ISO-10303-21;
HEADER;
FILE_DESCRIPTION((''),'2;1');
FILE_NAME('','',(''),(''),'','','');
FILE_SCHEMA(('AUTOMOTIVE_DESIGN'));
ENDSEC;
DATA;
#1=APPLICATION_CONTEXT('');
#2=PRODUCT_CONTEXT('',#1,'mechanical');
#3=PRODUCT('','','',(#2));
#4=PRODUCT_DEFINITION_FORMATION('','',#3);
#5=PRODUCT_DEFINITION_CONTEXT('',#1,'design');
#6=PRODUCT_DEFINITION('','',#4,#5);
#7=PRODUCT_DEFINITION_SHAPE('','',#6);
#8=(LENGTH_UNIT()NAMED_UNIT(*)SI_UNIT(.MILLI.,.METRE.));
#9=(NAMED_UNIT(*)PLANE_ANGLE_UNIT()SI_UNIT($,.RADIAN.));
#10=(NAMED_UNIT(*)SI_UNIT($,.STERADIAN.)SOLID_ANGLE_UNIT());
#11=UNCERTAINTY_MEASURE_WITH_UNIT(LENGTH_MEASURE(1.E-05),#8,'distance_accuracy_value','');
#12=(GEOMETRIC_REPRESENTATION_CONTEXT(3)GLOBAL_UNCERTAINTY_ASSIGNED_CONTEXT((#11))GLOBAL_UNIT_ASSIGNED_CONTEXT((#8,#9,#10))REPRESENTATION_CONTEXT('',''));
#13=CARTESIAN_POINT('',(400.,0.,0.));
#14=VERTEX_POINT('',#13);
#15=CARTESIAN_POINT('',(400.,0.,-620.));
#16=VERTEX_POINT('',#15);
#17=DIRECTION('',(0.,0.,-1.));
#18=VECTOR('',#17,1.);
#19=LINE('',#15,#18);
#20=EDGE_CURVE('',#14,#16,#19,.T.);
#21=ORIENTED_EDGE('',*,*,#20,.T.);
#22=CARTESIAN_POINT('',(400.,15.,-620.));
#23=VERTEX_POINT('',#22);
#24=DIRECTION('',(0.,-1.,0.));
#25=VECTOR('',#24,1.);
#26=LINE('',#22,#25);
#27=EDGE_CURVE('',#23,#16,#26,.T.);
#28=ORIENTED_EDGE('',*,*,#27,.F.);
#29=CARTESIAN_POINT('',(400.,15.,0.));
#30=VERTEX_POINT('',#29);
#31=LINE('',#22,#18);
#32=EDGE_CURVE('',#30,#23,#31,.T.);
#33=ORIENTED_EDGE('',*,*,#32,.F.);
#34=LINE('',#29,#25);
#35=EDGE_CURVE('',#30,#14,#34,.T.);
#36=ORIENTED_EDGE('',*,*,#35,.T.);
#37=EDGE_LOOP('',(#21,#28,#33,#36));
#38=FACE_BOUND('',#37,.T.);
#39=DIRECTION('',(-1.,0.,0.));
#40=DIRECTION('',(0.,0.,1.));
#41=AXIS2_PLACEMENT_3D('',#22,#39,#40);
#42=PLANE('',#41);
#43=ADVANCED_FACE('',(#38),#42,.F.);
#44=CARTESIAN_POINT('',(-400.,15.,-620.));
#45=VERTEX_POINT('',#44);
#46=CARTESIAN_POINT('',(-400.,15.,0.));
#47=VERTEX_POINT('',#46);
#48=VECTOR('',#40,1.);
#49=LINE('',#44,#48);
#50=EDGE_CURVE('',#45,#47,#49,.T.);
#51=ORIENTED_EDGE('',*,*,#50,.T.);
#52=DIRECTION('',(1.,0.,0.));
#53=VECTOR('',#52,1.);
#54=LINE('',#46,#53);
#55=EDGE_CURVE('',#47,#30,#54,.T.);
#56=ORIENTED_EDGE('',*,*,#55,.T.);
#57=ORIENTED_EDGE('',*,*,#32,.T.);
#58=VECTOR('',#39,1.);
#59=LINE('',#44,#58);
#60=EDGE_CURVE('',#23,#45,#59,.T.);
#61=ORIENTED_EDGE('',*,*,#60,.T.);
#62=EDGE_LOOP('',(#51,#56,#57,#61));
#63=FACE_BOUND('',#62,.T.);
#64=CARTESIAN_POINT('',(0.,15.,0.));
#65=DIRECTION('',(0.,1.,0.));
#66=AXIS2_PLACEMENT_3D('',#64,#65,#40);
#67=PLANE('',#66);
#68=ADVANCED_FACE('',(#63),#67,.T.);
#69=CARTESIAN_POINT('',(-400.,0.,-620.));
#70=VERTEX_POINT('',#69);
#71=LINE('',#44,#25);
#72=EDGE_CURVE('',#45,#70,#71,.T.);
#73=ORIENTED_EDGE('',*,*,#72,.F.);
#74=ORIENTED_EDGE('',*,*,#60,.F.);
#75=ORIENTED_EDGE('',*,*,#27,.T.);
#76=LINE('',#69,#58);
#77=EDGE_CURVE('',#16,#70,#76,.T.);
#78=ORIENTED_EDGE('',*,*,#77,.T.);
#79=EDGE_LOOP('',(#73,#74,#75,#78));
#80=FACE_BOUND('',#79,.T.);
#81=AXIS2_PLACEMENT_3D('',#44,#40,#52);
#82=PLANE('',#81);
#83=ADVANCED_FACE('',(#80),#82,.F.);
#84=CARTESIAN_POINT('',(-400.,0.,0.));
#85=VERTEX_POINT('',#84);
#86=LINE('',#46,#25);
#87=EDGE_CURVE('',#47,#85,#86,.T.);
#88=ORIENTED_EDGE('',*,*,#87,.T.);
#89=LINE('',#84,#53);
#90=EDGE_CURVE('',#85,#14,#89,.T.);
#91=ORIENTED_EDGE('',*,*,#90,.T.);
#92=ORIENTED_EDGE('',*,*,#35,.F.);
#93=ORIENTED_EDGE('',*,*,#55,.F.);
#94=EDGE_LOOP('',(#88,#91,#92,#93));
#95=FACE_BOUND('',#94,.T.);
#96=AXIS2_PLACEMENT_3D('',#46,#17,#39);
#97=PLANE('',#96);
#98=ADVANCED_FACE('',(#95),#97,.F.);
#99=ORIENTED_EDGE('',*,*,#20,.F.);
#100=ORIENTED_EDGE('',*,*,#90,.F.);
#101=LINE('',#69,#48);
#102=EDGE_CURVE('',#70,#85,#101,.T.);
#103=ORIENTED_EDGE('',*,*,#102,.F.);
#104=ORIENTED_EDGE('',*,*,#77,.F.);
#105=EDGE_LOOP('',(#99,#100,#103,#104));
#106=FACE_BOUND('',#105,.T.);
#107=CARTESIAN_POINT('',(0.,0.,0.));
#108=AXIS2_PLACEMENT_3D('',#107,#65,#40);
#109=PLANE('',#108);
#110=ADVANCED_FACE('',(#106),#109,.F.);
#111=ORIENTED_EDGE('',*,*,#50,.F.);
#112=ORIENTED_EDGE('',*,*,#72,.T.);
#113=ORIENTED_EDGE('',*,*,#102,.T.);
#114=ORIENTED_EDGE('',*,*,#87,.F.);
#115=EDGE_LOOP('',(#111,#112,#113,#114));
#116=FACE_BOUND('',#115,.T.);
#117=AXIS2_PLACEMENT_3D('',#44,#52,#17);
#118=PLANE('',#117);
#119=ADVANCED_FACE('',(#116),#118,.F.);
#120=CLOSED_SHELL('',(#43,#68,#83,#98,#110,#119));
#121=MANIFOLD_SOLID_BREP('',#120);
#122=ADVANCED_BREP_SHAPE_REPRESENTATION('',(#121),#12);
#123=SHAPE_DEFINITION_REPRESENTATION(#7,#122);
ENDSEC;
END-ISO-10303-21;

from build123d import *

# Parameters (mm, degrees)
SKETCH_1_W      = 800
SKETCH_1_H      = 620
EXTRUDE_1_DEPTH = 15


with BuildPart() as part:
    # 草图1 → 凸台-拉伸1 (new body)
    with BuildSketch(Plane(origin=(0, 0, 0), x_dir=(1, 0, 0), z_dir=(0, 1, 0))):
        with Locations((0, 310)):
            Rectangle(SKETCH_1_W, SKETCH_1_H)
    extrude(amount=EXTRUDE_1_DEPTH)


solid = part.part
